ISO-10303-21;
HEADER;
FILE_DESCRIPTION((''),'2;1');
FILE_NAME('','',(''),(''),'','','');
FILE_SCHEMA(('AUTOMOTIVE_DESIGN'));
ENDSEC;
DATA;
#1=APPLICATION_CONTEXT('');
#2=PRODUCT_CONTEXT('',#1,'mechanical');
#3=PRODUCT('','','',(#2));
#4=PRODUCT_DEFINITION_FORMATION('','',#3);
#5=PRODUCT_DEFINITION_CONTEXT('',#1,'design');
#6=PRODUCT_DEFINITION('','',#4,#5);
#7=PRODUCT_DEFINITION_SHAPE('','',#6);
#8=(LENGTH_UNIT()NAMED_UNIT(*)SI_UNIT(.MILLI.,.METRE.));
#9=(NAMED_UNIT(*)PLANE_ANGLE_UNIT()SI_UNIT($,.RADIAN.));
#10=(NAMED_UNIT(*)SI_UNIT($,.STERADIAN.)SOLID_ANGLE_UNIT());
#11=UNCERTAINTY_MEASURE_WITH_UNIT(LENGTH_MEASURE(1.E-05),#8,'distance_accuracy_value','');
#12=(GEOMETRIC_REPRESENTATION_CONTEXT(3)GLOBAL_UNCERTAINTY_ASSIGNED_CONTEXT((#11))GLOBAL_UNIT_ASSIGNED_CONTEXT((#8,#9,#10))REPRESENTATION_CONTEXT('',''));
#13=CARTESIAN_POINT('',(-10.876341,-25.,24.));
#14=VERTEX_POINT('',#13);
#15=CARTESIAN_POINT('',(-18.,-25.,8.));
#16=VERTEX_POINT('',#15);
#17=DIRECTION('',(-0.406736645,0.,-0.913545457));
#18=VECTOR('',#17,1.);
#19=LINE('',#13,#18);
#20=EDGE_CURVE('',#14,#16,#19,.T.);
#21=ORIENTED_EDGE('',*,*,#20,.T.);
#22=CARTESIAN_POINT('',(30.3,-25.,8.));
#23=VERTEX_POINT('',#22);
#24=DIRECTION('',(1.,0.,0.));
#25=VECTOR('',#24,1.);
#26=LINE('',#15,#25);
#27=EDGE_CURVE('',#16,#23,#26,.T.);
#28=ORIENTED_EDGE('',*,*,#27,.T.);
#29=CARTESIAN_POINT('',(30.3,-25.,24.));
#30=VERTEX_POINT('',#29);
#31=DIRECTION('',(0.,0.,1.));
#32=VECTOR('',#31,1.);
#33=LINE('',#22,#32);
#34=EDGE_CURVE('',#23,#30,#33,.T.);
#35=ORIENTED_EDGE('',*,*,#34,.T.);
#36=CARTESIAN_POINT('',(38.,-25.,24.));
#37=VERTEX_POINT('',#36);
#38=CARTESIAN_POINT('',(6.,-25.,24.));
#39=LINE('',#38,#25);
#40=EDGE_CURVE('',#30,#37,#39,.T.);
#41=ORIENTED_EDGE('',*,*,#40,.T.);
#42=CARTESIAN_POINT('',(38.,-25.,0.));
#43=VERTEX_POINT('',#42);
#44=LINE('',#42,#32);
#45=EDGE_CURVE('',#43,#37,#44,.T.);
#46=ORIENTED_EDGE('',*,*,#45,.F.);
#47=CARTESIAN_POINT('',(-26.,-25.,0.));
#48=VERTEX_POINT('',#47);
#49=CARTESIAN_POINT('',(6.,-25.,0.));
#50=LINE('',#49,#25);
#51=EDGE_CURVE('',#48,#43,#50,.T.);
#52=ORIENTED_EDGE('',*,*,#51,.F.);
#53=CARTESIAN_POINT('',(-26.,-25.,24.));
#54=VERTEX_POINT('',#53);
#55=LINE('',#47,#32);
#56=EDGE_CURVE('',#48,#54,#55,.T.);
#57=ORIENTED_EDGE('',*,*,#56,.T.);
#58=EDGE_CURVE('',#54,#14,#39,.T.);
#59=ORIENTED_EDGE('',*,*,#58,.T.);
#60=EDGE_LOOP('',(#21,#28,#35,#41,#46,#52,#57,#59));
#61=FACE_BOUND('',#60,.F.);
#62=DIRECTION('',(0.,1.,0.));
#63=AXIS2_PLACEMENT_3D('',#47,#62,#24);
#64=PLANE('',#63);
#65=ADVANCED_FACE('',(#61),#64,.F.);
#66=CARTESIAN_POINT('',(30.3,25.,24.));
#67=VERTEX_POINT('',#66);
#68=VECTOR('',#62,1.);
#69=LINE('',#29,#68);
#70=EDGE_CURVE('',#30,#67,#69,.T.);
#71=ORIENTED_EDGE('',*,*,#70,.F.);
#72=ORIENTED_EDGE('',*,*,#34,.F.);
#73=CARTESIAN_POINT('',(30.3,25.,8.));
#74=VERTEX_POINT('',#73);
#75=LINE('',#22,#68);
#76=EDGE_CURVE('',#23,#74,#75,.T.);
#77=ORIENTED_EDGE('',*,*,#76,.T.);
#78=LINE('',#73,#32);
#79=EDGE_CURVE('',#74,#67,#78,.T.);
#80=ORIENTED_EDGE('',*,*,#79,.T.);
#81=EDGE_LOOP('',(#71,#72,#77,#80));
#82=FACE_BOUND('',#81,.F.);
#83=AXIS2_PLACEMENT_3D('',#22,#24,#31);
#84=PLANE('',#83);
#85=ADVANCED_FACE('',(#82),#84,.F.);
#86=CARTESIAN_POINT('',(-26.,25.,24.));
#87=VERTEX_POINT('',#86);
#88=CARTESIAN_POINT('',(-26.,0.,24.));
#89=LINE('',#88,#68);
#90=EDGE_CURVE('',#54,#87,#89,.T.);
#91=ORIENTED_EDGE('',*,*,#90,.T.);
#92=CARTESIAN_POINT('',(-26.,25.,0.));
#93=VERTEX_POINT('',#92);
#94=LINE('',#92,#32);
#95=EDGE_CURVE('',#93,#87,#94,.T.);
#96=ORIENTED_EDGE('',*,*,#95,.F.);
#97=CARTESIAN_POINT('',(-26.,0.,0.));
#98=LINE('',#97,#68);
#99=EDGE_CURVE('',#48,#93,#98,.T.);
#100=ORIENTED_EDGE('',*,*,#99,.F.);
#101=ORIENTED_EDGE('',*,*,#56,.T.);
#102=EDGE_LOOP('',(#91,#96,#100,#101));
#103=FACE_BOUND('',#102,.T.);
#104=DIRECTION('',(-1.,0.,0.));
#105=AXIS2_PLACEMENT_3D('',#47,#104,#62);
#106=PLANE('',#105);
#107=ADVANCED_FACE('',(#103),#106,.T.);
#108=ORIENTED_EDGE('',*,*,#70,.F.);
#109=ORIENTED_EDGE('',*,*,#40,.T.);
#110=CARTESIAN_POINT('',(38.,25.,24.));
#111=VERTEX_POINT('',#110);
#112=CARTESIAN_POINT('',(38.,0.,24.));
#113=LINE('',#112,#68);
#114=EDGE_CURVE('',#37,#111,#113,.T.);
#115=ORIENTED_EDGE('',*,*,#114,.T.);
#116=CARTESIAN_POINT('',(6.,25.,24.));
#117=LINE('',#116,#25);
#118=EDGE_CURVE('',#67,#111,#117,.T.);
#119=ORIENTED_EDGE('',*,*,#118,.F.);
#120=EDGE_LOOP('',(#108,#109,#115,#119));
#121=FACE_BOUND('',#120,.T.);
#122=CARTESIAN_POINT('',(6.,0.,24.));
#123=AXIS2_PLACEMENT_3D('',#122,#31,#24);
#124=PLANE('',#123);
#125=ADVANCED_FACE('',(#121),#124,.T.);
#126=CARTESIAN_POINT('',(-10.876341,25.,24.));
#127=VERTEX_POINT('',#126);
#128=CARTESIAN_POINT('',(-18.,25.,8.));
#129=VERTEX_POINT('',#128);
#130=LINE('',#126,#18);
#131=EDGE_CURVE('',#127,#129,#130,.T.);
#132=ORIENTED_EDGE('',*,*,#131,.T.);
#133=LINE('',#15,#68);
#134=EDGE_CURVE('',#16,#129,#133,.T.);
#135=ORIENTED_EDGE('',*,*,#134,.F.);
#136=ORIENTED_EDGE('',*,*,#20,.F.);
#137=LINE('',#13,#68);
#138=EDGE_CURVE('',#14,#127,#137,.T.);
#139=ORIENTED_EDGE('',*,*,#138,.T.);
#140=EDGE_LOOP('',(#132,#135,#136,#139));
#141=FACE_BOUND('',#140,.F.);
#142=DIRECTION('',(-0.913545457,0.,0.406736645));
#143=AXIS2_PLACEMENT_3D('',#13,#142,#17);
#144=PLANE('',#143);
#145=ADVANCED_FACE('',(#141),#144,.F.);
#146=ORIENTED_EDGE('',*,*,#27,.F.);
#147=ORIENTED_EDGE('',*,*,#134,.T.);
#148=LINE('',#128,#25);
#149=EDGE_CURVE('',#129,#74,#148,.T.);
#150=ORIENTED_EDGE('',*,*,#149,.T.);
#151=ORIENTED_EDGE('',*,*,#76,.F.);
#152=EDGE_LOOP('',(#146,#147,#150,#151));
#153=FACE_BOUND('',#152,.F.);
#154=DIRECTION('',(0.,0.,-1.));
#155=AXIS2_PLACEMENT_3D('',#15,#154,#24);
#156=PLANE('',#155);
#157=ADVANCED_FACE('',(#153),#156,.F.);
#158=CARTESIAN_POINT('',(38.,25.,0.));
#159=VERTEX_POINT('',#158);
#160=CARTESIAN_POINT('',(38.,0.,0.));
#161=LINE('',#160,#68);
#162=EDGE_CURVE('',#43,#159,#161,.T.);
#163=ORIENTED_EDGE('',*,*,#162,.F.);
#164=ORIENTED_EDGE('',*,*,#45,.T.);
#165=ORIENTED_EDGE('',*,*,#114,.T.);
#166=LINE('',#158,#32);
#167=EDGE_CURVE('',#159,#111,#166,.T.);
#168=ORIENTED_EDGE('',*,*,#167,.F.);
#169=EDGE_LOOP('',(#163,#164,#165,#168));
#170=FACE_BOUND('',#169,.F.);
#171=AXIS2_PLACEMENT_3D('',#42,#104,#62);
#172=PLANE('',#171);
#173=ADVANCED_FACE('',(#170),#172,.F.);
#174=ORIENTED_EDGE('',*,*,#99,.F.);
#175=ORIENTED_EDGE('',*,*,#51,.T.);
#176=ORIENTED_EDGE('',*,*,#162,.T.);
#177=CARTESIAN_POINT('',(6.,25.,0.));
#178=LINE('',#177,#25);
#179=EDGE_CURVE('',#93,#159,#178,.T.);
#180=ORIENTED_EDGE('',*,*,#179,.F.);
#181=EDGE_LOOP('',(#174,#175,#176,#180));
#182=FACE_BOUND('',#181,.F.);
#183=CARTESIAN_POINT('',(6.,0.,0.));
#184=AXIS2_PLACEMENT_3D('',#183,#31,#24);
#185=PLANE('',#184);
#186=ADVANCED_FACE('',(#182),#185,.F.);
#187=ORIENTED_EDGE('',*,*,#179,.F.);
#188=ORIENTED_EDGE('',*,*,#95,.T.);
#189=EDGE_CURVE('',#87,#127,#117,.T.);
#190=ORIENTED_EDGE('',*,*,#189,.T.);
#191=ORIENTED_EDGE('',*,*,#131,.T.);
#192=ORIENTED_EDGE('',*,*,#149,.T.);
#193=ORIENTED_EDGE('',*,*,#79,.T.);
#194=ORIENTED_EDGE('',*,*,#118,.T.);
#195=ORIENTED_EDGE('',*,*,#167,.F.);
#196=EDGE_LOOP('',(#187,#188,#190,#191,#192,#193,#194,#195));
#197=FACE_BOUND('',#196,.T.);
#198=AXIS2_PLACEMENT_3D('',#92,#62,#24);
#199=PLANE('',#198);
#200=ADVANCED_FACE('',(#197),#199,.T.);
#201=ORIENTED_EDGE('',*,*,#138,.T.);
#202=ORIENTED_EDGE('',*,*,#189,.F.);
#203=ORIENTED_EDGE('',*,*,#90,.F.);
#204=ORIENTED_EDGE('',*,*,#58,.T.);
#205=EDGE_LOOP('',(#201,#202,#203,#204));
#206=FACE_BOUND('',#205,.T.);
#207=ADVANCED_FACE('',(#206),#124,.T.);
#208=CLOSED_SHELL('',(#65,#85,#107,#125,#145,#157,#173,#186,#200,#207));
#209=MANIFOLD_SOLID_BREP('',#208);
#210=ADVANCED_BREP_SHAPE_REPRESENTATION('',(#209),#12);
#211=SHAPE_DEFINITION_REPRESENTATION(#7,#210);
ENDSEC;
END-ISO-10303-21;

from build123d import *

# Parameters (mm, degrees)
F0_W     = 64
F0_H     = 50
F1_DEPTH = 24
F3_DEPTH = 50


with BuildPart() as f1:
    # F0 (on Top) → F1 (new body)
    with BuildSketch(Plane.XY):
        with Locations((6, 0)):
            Rectangle(F0_W, F0_H)
    extrude(amount=F1_DEPTH)

    # F2 (on face) → F3 (cut)
    with BuildSketch(Plane.XZ.offset(25)):
        Polygon((30.3, 8), (30.3, 24), (-10.876341, 24), (-18, 8), align=None)
    extrude(amount=-F3_DEPTH, mode=Mode.SUBTRACT)


solid = f1.part
